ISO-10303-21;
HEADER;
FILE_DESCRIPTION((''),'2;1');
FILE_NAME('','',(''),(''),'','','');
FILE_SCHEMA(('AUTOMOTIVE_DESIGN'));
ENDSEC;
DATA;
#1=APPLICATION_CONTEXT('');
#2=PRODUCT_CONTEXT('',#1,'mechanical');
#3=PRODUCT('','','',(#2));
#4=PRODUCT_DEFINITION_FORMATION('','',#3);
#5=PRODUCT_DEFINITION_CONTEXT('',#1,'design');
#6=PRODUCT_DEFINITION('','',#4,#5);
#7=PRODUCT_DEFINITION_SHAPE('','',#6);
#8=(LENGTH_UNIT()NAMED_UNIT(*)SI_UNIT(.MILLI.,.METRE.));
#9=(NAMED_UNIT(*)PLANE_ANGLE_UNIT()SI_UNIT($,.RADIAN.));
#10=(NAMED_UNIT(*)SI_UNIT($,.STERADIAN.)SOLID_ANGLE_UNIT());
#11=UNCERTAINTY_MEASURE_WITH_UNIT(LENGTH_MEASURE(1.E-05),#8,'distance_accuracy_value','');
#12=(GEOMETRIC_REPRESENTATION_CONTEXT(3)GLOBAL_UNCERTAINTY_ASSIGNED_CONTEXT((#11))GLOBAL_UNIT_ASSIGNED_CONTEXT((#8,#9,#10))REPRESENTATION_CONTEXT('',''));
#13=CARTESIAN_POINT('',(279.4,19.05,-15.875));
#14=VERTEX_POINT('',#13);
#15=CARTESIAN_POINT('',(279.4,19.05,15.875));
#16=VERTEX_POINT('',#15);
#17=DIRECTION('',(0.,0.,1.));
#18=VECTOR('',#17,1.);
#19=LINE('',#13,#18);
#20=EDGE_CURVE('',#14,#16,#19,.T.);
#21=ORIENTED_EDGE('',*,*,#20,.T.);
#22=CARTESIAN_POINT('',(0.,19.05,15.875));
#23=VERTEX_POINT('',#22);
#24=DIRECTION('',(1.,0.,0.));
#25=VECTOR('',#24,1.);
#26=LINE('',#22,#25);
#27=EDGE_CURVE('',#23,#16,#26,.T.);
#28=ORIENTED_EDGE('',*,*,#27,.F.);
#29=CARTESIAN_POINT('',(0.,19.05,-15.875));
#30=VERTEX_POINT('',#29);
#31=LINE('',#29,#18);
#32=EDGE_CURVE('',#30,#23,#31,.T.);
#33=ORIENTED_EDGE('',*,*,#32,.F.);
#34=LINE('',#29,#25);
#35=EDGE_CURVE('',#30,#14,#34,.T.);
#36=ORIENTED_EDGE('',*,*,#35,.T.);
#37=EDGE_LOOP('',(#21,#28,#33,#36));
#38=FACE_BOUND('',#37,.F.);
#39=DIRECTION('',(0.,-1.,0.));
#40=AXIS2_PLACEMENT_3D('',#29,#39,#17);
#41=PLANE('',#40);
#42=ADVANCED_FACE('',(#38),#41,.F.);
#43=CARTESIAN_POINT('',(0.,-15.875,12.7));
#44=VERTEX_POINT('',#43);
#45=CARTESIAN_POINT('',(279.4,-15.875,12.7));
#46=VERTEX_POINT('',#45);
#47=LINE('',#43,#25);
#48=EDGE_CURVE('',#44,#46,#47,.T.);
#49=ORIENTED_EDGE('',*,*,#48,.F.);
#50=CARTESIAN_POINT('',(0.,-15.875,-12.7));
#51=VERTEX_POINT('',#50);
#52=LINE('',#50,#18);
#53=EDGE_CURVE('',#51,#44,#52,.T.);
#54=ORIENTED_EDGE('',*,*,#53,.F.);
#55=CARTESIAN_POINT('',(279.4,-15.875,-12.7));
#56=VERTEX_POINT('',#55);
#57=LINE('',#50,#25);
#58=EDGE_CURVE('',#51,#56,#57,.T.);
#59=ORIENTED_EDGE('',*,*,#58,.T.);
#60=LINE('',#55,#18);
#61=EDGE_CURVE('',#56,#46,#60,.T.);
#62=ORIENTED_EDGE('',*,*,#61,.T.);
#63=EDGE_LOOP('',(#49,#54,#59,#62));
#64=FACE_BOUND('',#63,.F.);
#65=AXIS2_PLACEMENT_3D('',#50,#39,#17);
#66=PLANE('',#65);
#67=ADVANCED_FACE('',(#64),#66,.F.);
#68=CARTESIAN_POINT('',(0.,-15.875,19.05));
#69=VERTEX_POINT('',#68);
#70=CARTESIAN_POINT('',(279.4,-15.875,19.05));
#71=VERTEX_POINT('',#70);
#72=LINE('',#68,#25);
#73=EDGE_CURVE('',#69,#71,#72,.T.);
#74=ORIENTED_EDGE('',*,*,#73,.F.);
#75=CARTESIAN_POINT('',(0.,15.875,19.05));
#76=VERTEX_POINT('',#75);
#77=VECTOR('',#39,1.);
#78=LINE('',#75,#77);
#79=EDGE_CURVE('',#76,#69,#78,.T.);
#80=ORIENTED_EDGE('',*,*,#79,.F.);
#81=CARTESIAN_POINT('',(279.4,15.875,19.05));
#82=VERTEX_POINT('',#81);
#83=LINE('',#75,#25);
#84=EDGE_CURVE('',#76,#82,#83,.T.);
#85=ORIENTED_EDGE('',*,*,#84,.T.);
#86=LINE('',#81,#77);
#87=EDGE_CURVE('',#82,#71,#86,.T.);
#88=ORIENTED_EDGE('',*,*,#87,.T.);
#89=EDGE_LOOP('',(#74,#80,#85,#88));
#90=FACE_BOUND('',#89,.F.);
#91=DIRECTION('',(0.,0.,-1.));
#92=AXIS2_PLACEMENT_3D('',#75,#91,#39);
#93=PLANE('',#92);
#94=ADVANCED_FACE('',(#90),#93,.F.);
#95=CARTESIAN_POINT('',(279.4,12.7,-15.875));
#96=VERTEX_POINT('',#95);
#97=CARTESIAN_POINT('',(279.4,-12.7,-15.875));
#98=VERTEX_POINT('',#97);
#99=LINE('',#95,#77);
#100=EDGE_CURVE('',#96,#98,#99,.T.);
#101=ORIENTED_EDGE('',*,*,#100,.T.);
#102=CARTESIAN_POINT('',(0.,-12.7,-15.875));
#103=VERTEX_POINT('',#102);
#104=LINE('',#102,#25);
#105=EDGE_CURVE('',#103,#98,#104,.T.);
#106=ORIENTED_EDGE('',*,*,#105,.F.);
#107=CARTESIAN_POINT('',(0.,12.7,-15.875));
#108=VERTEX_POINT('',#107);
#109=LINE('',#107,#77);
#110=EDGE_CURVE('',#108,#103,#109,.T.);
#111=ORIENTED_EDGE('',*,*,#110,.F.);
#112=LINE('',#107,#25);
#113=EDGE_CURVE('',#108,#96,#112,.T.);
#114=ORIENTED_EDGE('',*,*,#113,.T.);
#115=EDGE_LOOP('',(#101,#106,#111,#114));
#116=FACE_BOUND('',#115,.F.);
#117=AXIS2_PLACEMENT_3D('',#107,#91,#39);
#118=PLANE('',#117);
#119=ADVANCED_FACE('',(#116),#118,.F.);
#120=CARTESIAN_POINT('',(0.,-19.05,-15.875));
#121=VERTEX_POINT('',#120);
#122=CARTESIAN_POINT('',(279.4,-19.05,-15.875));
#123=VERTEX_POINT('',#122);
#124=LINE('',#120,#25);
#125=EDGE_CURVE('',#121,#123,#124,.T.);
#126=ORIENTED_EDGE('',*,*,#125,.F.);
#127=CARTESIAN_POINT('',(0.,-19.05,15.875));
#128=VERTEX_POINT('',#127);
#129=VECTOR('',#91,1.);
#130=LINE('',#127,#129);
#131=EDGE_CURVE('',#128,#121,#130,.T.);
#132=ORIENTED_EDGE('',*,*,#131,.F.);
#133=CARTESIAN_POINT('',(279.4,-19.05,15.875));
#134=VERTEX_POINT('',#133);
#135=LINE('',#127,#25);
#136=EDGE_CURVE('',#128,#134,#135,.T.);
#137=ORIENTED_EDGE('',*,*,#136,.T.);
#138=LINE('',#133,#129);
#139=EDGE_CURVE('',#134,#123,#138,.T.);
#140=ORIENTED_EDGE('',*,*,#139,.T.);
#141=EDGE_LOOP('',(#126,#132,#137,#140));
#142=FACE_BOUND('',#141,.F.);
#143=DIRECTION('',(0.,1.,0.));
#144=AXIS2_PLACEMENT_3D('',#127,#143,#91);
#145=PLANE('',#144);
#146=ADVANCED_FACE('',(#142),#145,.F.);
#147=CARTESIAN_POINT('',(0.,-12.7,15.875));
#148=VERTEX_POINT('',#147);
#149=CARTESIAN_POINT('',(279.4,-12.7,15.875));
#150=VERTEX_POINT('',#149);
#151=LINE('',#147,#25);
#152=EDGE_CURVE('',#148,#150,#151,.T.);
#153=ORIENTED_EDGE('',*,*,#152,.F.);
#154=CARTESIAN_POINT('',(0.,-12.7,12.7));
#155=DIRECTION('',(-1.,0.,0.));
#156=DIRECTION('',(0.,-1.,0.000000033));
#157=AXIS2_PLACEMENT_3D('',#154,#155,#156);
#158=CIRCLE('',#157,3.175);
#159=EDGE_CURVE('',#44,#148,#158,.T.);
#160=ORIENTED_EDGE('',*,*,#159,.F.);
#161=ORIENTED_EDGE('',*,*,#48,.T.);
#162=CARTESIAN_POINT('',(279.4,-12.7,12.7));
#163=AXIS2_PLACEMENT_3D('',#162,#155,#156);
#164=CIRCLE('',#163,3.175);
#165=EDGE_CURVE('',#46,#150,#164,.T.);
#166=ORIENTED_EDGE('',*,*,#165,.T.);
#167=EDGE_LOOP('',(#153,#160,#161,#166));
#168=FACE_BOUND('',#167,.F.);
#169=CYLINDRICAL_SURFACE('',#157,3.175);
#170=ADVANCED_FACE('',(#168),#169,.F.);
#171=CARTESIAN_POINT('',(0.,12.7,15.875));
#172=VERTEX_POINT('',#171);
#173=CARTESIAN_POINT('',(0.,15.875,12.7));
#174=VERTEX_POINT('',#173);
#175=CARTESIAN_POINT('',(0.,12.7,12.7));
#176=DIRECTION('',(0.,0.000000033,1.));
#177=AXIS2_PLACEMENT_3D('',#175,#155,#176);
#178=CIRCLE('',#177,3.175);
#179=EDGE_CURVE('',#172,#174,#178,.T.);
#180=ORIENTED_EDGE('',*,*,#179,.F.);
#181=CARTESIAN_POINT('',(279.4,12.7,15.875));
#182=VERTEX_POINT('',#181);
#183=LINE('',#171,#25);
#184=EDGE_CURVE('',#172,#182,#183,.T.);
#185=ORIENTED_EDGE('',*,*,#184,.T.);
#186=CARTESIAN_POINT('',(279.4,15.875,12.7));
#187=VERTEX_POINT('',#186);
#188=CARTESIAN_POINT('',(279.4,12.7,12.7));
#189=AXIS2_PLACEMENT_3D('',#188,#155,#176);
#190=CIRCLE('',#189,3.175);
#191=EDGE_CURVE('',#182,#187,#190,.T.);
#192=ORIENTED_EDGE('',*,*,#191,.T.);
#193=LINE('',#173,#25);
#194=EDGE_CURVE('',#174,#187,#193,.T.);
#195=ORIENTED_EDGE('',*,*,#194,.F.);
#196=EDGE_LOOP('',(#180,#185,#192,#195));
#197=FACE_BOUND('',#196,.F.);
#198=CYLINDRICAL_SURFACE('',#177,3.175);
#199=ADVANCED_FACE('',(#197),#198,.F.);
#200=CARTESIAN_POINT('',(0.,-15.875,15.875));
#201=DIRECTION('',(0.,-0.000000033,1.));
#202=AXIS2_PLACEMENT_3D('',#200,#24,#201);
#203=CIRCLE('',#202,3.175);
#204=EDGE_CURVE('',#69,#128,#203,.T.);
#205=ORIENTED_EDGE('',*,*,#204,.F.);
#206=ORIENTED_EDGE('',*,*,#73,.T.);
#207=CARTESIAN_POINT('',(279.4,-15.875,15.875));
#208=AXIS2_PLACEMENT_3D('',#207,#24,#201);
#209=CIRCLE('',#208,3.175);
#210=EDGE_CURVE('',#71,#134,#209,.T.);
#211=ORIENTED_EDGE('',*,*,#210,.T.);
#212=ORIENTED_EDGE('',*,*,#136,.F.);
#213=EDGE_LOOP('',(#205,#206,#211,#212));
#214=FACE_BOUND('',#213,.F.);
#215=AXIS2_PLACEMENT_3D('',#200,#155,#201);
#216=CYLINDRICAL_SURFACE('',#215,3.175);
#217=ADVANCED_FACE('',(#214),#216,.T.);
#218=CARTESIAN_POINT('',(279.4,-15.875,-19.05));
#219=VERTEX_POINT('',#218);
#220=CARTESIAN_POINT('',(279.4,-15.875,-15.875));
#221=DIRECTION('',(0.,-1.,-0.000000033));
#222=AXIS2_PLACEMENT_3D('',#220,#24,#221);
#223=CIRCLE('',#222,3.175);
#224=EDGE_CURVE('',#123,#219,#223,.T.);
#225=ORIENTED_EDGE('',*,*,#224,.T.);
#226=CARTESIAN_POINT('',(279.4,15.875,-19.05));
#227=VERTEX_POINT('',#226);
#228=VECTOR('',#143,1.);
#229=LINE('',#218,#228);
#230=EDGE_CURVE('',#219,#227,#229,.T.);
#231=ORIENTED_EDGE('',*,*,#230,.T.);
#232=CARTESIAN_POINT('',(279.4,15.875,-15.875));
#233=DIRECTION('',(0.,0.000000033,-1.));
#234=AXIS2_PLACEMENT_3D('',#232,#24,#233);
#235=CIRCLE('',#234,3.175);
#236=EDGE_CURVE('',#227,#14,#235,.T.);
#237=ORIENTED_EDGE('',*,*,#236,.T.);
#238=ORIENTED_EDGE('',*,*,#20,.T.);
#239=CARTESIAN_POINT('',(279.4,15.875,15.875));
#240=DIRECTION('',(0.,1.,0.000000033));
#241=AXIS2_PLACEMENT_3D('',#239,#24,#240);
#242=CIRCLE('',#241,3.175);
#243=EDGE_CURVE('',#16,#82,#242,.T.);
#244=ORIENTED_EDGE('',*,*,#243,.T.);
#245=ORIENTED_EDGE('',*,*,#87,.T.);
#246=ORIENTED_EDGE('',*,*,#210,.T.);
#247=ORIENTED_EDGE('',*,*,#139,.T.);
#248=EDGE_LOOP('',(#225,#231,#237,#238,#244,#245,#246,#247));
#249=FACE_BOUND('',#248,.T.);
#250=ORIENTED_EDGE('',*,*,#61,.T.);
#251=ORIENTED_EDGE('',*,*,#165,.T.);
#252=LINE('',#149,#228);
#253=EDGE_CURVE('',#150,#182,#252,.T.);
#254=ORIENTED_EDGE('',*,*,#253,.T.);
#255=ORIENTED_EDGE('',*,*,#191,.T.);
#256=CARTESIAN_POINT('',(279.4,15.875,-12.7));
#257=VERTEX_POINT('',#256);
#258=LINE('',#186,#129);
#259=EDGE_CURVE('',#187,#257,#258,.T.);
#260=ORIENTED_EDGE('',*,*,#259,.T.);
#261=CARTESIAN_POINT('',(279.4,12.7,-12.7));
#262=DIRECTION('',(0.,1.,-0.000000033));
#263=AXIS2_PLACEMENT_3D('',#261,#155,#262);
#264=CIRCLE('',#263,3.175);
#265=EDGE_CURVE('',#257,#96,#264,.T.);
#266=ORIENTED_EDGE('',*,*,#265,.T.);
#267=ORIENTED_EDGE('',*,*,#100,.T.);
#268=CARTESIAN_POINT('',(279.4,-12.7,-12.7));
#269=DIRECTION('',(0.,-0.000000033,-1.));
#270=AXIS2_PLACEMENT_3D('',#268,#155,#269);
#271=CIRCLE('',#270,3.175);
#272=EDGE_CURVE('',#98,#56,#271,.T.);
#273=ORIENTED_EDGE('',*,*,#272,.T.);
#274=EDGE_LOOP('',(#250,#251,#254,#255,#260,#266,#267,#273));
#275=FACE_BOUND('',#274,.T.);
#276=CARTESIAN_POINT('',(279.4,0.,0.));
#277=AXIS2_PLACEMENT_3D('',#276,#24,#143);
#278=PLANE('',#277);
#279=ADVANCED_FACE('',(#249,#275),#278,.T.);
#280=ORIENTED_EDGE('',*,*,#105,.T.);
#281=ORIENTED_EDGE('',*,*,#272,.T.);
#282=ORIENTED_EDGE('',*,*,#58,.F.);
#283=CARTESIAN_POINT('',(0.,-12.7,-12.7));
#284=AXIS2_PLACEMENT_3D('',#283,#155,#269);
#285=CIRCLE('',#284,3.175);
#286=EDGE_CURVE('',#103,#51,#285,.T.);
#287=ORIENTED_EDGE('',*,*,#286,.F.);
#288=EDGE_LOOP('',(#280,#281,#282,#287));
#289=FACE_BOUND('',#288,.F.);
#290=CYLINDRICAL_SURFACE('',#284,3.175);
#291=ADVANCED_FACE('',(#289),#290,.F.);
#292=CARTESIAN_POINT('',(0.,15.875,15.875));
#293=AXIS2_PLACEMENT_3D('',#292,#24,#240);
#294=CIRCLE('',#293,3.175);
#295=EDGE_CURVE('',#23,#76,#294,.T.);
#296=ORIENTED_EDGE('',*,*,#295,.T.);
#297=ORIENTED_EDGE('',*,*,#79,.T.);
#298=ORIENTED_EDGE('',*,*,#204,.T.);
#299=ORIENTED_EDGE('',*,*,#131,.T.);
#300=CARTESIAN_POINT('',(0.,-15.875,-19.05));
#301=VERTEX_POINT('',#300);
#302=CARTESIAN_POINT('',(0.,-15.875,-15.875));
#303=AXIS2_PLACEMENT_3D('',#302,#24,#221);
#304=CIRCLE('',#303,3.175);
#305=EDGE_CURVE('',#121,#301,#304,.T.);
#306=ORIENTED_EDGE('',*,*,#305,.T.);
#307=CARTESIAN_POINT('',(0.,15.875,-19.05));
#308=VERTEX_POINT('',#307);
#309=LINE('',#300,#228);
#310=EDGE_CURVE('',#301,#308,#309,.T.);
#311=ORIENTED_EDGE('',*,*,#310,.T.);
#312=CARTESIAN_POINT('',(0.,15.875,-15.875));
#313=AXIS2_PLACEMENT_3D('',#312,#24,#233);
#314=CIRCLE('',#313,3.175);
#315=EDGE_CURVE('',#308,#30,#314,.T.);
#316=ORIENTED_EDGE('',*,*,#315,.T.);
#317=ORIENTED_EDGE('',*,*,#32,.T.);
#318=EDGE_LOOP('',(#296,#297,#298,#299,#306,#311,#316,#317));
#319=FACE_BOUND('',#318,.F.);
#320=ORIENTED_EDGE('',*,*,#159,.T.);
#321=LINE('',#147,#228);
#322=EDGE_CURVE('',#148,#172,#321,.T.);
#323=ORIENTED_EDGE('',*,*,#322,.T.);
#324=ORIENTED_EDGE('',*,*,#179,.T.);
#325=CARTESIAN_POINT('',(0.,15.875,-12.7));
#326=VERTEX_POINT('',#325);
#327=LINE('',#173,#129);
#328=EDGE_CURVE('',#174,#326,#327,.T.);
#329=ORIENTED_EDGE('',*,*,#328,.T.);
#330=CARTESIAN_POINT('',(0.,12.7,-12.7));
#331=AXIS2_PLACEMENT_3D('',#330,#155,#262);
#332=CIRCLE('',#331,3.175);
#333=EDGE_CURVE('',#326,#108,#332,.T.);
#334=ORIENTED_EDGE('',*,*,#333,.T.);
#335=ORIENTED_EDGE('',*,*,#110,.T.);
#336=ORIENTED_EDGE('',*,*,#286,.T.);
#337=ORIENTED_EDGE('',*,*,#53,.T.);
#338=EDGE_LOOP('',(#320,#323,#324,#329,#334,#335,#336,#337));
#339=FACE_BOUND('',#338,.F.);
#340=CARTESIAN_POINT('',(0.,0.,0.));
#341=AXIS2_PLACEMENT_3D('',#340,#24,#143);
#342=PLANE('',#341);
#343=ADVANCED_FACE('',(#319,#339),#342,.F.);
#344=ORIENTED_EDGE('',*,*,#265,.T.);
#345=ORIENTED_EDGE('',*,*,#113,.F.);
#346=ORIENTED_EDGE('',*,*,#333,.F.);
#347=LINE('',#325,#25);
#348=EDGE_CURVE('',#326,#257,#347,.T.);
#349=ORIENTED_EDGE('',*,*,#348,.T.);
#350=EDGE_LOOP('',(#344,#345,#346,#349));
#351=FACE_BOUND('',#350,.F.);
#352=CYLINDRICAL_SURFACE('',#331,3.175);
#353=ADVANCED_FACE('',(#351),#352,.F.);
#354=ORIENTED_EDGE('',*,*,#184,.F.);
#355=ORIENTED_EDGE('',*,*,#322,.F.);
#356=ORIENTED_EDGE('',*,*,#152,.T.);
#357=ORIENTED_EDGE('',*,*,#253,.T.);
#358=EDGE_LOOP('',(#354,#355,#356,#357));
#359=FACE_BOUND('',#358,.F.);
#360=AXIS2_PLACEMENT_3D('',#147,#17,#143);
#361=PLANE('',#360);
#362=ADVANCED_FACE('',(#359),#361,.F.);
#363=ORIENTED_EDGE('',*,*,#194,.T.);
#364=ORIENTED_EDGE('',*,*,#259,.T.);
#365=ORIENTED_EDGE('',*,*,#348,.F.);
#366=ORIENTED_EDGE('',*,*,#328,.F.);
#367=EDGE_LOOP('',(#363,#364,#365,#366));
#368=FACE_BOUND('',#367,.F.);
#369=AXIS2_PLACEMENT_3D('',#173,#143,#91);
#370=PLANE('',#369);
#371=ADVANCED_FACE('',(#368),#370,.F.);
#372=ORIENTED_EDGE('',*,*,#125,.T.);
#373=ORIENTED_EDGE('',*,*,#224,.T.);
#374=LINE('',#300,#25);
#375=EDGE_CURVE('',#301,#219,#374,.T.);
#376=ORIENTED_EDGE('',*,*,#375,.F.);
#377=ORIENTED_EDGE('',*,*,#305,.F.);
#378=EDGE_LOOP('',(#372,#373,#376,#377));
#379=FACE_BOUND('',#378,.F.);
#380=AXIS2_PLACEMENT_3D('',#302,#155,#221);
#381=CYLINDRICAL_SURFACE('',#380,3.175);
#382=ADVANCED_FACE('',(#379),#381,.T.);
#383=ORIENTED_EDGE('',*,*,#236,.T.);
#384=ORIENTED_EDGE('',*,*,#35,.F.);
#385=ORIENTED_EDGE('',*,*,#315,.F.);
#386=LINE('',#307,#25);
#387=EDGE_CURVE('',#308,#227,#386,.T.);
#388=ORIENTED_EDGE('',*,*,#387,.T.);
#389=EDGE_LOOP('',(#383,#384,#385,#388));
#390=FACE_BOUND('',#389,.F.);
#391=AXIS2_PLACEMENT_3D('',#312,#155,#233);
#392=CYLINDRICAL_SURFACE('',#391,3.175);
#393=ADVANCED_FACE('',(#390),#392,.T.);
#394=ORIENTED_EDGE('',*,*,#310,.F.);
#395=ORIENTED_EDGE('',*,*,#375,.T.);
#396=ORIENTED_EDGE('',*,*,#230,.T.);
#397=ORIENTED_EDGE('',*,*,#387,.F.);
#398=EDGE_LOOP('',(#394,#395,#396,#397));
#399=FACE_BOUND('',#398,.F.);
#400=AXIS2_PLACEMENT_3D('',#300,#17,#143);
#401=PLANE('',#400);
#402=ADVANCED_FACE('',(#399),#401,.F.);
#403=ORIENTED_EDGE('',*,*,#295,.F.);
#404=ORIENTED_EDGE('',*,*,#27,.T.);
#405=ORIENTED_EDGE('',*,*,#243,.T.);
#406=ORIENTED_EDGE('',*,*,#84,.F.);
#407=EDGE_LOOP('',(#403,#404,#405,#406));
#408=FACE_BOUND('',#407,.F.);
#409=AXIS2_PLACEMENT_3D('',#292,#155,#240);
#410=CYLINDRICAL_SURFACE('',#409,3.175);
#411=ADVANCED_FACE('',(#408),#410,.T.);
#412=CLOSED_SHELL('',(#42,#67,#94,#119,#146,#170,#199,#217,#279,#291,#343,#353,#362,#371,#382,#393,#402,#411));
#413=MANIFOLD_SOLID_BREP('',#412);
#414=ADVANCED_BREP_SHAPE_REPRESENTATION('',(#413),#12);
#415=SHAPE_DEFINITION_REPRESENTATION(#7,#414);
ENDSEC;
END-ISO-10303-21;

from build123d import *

# Parameters (mm, degrees)
F1_DEPTH = 279.4


with BuildPart() as f1:
    # F0 (on Right) → F1 (new body)
    with BuildSketch(Plane.YZ):
        with BuildLine():
            ThreePointArc((19.05, 15.875), (18.120064, 18.120064), (15.875, 19.05))
            Line((15.875, 19.05), (-15.875, 19.05))
            ThreePointArc((-15.875, 19.05), (-18.120064, 18.120064), (-19.05, 15.875))
            Line((-19.05, 15.875), (-19.05, -15.875))
            ThreePointArc((-19.05, -15.875), (-18.120064, -18.120064), (-15.875, -19.05))
            Line((-15.875, -19.05), (15.875, -19.05))
            ThreePointArc((15.875, -19.05), (18.120064, -18.120064), (19.05, -15.875))
            Line((19.05, -15.875), (19.05, 15.875))
        make_face()
        with BuildLine():
            Line((-12.7, 15.875), (12.7, 15.875))
            ThreePointArc((12.7, 15.875), (14.945064, 14.945064), (15.875, 12.7))
            Line((15.875, 12.7), (15.875, -12.7))
            ThreePointArc((15.875, -12.7), (14.945064, -14.945064), (12.7, -15.875))
            Line((12.7, -15.875), (-12.7, -15.875))
            ThreePointArc((-12.7, -15.875), (-14.945064, -14.945064), (-15.875, -12.7))
            Line((-15.875, -12.7), (-15.875, 12.7))
            ThreePointArc((-15.875, 12.7), (-14.945064, 14.945064), (-12.7, 15.875))
        make_face(mode=Mode.SUBTRACT)
    extrude(amount=F1_DEPTH)


solid = f1.part
